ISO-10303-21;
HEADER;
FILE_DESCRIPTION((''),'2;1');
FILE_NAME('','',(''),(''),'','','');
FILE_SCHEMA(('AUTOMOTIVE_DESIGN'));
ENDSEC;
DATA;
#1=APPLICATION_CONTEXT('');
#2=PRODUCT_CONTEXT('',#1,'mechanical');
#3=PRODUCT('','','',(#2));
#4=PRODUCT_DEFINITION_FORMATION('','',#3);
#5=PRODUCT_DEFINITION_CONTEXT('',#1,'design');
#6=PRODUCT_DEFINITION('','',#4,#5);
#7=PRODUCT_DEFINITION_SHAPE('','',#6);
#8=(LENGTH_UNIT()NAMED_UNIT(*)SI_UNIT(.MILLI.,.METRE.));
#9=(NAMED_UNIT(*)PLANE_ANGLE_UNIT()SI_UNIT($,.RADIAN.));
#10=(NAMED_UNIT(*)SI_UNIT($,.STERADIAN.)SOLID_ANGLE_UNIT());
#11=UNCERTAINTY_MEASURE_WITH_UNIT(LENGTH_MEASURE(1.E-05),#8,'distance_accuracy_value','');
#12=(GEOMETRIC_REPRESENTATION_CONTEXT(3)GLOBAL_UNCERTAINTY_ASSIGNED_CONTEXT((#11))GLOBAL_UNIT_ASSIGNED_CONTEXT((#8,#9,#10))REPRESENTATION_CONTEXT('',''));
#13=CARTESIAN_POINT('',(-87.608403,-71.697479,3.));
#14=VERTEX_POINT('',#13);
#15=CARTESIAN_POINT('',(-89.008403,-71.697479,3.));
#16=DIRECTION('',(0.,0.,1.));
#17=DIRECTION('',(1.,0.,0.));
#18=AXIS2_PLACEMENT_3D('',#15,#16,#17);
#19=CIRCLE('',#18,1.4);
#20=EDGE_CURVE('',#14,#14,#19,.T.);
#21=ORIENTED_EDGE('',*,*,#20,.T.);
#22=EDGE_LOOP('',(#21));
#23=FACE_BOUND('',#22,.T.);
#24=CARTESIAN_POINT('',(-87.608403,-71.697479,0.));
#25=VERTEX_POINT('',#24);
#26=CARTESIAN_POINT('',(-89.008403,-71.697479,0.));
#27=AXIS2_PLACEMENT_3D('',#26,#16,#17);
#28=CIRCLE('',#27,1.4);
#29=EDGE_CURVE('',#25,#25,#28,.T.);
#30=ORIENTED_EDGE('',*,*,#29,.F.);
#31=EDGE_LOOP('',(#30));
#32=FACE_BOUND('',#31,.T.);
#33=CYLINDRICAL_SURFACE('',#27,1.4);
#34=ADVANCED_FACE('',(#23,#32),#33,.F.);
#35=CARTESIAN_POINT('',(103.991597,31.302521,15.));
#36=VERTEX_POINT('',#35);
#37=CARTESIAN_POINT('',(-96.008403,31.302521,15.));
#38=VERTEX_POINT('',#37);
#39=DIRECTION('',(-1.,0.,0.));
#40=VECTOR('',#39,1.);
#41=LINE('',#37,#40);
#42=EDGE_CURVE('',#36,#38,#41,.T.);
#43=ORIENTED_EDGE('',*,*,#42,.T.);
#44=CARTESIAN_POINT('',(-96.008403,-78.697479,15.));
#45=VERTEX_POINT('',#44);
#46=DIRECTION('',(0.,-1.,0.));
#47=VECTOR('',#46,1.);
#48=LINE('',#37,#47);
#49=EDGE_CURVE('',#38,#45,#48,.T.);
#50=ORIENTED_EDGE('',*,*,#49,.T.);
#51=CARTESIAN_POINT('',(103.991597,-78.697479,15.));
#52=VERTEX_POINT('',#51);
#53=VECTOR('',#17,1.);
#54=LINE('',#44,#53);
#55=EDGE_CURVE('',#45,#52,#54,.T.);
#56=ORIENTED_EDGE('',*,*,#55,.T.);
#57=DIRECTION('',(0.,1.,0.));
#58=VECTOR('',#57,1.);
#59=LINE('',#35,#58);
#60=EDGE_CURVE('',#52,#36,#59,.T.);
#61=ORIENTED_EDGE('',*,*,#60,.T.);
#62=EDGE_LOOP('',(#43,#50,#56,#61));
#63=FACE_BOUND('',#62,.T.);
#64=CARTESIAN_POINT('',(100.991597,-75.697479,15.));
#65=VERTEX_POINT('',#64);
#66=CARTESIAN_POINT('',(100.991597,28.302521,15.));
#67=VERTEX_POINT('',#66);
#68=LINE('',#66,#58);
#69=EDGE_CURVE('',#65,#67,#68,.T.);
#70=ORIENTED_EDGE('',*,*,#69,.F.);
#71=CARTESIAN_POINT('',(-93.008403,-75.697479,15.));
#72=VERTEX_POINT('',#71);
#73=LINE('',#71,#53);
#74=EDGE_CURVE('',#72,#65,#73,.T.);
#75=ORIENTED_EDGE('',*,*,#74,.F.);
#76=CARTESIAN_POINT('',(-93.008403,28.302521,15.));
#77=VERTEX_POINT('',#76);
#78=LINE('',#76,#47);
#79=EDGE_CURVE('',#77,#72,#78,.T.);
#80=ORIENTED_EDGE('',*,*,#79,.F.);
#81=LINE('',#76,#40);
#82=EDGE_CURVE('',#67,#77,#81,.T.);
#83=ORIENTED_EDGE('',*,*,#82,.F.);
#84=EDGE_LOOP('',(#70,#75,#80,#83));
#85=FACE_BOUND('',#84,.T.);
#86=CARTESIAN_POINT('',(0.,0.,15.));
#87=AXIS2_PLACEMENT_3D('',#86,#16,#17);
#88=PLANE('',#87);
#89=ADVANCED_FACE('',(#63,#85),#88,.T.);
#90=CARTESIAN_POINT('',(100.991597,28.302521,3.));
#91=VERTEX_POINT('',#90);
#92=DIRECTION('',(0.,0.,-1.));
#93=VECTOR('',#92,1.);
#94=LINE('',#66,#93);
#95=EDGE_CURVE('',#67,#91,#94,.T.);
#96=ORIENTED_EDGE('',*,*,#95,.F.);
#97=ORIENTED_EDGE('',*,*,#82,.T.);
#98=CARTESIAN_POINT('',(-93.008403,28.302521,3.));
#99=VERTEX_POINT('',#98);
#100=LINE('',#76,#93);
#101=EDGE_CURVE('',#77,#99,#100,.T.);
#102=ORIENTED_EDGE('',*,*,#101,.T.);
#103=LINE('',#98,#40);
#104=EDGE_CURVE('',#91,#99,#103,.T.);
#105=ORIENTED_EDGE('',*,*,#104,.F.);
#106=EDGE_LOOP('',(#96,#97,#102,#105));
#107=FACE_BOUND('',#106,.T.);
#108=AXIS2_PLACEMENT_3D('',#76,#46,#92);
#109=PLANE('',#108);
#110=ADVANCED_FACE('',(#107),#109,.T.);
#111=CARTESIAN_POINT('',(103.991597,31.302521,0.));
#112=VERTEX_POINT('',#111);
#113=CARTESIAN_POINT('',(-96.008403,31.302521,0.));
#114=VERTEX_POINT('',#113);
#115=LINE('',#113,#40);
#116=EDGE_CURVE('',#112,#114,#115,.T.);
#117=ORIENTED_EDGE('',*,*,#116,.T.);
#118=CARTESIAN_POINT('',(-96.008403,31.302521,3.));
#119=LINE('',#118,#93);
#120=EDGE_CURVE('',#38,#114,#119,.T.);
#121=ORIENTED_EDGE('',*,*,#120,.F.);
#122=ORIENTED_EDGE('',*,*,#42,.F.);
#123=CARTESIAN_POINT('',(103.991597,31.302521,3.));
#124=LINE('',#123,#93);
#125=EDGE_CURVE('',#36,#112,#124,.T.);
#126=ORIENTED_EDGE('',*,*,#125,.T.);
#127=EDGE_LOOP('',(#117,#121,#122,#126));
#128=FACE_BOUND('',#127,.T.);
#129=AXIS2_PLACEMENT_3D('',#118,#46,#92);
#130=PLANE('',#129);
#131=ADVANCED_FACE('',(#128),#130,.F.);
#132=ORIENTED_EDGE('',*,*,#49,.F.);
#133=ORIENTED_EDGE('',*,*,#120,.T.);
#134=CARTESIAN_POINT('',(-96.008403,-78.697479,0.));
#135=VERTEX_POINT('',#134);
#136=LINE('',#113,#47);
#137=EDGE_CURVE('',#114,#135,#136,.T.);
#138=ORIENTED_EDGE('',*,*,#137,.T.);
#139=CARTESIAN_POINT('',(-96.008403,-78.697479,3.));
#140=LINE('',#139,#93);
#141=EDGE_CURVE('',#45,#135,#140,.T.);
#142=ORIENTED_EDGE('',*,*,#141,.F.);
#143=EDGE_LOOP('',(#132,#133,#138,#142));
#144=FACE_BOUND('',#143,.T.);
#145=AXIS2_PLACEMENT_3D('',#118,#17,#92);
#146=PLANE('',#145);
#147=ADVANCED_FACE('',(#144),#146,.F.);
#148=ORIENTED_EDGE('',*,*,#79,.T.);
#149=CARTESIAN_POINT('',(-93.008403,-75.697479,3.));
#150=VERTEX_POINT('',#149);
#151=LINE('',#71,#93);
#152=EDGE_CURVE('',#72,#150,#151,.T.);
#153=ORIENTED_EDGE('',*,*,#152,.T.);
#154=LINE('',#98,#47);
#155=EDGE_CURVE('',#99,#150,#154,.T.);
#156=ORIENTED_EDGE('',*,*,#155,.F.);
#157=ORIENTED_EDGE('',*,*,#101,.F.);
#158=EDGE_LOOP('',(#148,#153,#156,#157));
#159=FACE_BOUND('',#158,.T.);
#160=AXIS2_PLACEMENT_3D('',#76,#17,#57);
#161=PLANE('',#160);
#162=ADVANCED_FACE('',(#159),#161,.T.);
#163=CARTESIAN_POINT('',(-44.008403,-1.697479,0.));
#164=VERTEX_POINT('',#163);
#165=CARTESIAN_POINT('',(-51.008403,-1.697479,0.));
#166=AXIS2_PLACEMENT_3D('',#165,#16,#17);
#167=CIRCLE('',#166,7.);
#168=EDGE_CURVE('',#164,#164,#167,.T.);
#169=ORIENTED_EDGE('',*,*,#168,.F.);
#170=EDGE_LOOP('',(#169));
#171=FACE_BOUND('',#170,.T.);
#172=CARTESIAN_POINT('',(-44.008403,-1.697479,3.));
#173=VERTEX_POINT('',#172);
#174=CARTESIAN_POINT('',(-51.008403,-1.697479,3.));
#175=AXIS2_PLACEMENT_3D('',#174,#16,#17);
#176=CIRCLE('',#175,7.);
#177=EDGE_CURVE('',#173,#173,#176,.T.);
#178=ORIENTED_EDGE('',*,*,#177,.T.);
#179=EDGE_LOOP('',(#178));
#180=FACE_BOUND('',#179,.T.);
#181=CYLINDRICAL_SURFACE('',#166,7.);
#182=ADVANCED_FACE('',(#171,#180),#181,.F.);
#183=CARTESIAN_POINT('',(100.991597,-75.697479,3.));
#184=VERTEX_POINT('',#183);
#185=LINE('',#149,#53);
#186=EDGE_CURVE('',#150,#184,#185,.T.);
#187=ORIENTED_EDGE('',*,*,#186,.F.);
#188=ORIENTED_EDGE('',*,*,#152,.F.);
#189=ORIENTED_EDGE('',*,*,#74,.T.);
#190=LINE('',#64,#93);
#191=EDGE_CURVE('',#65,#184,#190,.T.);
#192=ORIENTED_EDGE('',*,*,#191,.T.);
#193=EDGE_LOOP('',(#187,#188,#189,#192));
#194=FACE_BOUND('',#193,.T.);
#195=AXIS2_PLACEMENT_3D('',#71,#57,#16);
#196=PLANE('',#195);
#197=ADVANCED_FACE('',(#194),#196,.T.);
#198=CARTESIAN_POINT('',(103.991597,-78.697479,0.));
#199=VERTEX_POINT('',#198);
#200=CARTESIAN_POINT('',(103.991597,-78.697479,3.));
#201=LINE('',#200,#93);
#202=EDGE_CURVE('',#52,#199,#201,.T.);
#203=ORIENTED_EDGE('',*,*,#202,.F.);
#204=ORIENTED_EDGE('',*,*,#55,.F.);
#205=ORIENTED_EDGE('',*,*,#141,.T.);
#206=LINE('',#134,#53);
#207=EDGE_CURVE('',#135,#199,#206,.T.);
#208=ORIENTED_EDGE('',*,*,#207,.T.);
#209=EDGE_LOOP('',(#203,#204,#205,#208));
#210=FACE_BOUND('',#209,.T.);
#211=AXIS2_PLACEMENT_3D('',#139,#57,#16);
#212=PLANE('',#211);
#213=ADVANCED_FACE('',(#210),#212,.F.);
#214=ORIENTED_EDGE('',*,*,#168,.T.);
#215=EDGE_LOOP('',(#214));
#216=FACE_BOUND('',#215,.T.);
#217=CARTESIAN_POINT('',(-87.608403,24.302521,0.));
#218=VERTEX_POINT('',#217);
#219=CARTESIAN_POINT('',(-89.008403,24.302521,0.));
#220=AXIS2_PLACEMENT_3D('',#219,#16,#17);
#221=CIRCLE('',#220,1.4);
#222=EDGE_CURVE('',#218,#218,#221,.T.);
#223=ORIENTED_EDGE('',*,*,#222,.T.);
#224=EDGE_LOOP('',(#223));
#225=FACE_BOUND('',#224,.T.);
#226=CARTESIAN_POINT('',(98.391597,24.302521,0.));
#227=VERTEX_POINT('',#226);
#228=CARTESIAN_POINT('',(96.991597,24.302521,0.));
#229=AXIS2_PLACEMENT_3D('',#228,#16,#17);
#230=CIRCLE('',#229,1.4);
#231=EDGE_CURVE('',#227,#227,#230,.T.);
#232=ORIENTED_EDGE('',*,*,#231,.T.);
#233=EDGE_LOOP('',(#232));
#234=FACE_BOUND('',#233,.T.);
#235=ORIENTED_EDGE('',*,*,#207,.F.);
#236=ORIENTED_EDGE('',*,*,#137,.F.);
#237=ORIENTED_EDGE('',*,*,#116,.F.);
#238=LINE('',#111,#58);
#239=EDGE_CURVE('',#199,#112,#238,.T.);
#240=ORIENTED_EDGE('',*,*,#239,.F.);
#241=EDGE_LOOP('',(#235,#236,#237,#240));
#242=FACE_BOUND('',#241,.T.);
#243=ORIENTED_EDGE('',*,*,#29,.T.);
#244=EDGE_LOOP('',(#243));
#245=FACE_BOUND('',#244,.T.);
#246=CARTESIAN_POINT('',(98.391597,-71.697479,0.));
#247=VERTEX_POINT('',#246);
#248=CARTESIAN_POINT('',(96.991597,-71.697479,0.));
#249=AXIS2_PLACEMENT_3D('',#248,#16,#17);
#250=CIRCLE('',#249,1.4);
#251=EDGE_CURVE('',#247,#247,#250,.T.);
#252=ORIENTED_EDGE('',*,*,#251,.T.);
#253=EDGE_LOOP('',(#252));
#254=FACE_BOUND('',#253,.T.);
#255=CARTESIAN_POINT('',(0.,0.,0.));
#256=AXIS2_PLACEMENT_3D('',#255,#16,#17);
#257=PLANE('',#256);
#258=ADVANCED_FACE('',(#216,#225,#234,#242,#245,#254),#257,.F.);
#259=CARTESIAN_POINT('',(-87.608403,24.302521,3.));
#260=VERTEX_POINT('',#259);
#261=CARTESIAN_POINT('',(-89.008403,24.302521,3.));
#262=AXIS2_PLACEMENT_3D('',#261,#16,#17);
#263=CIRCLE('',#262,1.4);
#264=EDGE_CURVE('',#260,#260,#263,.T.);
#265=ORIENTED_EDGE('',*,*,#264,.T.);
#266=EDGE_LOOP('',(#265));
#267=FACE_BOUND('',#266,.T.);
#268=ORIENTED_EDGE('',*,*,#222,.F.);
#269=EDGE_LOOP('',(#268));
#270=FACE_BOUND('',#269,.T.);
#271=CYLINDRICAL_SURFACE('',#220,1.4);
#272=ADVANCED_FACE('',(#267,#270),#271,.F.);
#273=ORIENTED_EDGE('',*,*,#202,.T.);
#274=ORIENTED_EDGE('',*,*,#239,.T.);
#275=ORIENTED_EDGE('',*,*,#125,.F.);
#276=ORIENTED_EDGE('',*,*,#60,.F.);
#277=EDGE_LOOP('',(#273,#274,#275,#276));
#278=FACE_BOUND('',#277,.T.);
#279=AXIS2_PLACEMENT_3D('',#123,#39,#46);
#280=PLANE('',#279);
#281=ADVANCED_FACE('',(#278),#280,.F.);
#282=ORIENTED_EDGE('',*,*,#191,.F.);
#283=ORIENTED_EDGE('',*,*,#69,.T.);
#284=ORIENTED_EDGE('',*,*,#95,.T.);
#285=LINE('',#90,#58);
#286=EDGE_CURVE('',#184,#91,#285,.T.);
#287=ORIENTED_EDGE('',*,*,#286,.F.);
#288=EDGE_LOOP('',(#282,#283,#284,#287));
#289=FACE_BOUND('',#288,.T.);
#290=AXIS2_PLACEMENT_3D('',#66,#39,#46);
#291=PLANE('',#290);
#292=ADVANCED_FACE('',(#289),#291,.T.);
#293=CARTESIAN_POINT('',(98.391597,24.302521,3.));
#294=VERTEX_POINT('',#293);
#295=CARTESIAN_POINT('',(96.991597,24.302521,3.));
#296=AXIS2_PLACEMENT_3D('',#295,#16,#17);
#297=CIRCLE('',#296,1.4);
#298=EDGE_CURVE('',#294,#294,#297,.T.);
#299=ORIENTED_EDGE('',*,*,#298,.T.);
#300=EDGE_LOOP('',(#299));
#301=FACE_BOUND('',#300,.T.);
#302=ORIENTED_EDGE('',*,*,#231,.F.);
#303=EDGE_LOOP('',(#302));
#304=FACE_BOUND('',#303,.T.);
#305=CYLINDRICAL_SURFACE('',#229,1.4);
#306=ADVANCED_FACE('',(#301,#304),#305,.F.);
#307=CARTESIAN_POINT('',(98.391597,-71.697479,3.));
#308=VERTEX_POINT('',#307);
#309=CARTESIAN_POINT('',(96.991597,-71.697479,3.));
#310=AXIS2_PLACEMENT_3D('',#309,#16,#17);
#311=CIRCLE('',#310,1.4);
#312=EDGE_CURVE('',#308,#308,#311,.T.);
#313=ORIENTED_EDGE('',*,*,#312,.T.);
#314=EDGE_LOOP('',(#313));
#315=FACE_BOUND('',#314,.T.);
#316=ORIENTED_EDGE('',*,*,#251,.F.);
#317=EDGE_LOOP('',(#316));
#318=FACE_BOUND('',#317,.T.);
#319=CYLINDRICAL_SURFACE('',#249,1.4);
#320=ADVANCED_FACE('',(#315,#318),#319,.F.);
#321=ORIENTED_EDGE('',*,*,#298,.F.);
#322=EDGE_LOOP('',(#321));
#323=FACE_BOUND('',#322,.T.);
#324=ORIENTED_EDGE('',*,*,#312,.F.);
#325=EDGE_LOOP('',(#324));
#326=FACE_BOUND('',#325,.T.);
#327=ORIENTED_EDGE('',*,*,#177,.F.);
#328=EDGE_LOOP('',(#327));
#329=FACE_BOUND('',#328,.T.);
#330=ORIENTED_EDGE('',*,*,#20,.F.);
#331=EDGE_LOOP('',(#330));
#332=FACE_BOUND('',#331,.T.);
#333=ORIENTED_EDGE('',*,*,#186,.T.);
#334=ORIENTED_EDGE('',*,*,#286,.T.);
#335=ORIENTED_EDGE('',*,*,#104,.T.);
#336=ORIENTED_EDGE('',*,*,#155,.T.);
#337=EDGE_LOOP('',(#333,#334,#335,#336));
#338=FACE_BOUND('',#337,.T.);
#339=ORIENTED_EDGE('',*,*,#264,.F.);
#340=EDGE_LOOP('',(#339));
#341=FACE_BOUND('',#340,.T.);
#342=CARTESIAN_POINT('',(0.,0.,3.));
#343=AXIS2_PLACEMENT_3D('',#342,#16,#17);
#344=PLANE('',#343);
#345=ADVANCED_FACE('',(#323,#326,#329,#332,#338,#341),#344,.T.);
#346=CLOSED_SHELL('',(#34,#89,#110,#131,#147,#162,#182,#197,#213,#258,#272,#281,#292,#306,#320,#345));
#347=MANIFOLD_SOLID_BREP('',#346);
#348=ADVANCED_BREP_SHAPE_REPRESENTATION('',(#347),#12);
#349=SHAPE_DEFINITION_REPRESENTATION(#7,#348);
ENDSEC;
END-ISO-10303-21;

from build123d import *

# Parameters (mm, degrees)
SKETCH1_W           = 200
SKETCH1_H           = 110
BOSS_EXTRUDE1_DEPTH = 3
SKETCH2_W           = 200
SKETCH2_H           = 110
SKETCH2_W_2         = 194
SKETCH2_H_2         = 104
BOSS_EXTRUDE2_DEPTH = 12
SKETCH3_R           = 1.4
CUT_EXTRUDE2_DEPTH  = 3
SKETCH5_R           = 7
CUT_EXTRUDE3_DEPTH  = 3


with BuildPart() as part:
    # Sketch1 → Boss-Extrude1 (new body)
    with BuildSketch(Plane.XY):
        with Locations((3.991596639, -23.697478992)):
            Rectangle(SKETCH1_W, SKETCH1_H)
    extrude(amount=BOSS_EXTRUDE1_DEPTH)

    # Sketch2 → Boss-Extrude2 (add)
    with BuildSketch(Plane.XY.offset(3)):
        with Locations((3.991596639, -23.697478992)):
            Rectangle(SKETCH2_W, SKETCH2_H)
        with Locations((3.991596639, -23.697478992)):
            Rectangle(SKETCH2_W_2, SKETCH2_H_2, mode=Mode.SUBTRACT)
    extrude(amount=BOSS_EXTRUDE2_DEPTH)

    # Sketch3 → Cut-Extrude2 (cut)
    with BuildSketch(Plane.XY.offset(3)):
        with Locations((-89.008403361, 24.302521008)):
            Circle(SKETCH3_R)
        with Locations((-89.008403361, -71.697478992)):
            Circle(SKETCH3_R)
        with Locations((96.991596639, 24.302521008)):
            Circle(SKETCH3_R)
        with Locations((96.991596639, -71.697478992)):
            Circle(SKETCH3_R)
    extrude(amount=-CUT_EXTRUDE2_DEPTH, mode=Mode.SUBTRACT)

    # Sketch5 → Cut-Extrude3 (cut)
    with BuildSketch(Plane.XY.offset(3)):
        with Locations((-51.008403361, -1.697478992)):
            Circle(SKETCH5_R)
    extrude(amount=-CUT_EXTRUDE3_DEPTH, mode=Mode.SUBTRACT)


solid = part.part
